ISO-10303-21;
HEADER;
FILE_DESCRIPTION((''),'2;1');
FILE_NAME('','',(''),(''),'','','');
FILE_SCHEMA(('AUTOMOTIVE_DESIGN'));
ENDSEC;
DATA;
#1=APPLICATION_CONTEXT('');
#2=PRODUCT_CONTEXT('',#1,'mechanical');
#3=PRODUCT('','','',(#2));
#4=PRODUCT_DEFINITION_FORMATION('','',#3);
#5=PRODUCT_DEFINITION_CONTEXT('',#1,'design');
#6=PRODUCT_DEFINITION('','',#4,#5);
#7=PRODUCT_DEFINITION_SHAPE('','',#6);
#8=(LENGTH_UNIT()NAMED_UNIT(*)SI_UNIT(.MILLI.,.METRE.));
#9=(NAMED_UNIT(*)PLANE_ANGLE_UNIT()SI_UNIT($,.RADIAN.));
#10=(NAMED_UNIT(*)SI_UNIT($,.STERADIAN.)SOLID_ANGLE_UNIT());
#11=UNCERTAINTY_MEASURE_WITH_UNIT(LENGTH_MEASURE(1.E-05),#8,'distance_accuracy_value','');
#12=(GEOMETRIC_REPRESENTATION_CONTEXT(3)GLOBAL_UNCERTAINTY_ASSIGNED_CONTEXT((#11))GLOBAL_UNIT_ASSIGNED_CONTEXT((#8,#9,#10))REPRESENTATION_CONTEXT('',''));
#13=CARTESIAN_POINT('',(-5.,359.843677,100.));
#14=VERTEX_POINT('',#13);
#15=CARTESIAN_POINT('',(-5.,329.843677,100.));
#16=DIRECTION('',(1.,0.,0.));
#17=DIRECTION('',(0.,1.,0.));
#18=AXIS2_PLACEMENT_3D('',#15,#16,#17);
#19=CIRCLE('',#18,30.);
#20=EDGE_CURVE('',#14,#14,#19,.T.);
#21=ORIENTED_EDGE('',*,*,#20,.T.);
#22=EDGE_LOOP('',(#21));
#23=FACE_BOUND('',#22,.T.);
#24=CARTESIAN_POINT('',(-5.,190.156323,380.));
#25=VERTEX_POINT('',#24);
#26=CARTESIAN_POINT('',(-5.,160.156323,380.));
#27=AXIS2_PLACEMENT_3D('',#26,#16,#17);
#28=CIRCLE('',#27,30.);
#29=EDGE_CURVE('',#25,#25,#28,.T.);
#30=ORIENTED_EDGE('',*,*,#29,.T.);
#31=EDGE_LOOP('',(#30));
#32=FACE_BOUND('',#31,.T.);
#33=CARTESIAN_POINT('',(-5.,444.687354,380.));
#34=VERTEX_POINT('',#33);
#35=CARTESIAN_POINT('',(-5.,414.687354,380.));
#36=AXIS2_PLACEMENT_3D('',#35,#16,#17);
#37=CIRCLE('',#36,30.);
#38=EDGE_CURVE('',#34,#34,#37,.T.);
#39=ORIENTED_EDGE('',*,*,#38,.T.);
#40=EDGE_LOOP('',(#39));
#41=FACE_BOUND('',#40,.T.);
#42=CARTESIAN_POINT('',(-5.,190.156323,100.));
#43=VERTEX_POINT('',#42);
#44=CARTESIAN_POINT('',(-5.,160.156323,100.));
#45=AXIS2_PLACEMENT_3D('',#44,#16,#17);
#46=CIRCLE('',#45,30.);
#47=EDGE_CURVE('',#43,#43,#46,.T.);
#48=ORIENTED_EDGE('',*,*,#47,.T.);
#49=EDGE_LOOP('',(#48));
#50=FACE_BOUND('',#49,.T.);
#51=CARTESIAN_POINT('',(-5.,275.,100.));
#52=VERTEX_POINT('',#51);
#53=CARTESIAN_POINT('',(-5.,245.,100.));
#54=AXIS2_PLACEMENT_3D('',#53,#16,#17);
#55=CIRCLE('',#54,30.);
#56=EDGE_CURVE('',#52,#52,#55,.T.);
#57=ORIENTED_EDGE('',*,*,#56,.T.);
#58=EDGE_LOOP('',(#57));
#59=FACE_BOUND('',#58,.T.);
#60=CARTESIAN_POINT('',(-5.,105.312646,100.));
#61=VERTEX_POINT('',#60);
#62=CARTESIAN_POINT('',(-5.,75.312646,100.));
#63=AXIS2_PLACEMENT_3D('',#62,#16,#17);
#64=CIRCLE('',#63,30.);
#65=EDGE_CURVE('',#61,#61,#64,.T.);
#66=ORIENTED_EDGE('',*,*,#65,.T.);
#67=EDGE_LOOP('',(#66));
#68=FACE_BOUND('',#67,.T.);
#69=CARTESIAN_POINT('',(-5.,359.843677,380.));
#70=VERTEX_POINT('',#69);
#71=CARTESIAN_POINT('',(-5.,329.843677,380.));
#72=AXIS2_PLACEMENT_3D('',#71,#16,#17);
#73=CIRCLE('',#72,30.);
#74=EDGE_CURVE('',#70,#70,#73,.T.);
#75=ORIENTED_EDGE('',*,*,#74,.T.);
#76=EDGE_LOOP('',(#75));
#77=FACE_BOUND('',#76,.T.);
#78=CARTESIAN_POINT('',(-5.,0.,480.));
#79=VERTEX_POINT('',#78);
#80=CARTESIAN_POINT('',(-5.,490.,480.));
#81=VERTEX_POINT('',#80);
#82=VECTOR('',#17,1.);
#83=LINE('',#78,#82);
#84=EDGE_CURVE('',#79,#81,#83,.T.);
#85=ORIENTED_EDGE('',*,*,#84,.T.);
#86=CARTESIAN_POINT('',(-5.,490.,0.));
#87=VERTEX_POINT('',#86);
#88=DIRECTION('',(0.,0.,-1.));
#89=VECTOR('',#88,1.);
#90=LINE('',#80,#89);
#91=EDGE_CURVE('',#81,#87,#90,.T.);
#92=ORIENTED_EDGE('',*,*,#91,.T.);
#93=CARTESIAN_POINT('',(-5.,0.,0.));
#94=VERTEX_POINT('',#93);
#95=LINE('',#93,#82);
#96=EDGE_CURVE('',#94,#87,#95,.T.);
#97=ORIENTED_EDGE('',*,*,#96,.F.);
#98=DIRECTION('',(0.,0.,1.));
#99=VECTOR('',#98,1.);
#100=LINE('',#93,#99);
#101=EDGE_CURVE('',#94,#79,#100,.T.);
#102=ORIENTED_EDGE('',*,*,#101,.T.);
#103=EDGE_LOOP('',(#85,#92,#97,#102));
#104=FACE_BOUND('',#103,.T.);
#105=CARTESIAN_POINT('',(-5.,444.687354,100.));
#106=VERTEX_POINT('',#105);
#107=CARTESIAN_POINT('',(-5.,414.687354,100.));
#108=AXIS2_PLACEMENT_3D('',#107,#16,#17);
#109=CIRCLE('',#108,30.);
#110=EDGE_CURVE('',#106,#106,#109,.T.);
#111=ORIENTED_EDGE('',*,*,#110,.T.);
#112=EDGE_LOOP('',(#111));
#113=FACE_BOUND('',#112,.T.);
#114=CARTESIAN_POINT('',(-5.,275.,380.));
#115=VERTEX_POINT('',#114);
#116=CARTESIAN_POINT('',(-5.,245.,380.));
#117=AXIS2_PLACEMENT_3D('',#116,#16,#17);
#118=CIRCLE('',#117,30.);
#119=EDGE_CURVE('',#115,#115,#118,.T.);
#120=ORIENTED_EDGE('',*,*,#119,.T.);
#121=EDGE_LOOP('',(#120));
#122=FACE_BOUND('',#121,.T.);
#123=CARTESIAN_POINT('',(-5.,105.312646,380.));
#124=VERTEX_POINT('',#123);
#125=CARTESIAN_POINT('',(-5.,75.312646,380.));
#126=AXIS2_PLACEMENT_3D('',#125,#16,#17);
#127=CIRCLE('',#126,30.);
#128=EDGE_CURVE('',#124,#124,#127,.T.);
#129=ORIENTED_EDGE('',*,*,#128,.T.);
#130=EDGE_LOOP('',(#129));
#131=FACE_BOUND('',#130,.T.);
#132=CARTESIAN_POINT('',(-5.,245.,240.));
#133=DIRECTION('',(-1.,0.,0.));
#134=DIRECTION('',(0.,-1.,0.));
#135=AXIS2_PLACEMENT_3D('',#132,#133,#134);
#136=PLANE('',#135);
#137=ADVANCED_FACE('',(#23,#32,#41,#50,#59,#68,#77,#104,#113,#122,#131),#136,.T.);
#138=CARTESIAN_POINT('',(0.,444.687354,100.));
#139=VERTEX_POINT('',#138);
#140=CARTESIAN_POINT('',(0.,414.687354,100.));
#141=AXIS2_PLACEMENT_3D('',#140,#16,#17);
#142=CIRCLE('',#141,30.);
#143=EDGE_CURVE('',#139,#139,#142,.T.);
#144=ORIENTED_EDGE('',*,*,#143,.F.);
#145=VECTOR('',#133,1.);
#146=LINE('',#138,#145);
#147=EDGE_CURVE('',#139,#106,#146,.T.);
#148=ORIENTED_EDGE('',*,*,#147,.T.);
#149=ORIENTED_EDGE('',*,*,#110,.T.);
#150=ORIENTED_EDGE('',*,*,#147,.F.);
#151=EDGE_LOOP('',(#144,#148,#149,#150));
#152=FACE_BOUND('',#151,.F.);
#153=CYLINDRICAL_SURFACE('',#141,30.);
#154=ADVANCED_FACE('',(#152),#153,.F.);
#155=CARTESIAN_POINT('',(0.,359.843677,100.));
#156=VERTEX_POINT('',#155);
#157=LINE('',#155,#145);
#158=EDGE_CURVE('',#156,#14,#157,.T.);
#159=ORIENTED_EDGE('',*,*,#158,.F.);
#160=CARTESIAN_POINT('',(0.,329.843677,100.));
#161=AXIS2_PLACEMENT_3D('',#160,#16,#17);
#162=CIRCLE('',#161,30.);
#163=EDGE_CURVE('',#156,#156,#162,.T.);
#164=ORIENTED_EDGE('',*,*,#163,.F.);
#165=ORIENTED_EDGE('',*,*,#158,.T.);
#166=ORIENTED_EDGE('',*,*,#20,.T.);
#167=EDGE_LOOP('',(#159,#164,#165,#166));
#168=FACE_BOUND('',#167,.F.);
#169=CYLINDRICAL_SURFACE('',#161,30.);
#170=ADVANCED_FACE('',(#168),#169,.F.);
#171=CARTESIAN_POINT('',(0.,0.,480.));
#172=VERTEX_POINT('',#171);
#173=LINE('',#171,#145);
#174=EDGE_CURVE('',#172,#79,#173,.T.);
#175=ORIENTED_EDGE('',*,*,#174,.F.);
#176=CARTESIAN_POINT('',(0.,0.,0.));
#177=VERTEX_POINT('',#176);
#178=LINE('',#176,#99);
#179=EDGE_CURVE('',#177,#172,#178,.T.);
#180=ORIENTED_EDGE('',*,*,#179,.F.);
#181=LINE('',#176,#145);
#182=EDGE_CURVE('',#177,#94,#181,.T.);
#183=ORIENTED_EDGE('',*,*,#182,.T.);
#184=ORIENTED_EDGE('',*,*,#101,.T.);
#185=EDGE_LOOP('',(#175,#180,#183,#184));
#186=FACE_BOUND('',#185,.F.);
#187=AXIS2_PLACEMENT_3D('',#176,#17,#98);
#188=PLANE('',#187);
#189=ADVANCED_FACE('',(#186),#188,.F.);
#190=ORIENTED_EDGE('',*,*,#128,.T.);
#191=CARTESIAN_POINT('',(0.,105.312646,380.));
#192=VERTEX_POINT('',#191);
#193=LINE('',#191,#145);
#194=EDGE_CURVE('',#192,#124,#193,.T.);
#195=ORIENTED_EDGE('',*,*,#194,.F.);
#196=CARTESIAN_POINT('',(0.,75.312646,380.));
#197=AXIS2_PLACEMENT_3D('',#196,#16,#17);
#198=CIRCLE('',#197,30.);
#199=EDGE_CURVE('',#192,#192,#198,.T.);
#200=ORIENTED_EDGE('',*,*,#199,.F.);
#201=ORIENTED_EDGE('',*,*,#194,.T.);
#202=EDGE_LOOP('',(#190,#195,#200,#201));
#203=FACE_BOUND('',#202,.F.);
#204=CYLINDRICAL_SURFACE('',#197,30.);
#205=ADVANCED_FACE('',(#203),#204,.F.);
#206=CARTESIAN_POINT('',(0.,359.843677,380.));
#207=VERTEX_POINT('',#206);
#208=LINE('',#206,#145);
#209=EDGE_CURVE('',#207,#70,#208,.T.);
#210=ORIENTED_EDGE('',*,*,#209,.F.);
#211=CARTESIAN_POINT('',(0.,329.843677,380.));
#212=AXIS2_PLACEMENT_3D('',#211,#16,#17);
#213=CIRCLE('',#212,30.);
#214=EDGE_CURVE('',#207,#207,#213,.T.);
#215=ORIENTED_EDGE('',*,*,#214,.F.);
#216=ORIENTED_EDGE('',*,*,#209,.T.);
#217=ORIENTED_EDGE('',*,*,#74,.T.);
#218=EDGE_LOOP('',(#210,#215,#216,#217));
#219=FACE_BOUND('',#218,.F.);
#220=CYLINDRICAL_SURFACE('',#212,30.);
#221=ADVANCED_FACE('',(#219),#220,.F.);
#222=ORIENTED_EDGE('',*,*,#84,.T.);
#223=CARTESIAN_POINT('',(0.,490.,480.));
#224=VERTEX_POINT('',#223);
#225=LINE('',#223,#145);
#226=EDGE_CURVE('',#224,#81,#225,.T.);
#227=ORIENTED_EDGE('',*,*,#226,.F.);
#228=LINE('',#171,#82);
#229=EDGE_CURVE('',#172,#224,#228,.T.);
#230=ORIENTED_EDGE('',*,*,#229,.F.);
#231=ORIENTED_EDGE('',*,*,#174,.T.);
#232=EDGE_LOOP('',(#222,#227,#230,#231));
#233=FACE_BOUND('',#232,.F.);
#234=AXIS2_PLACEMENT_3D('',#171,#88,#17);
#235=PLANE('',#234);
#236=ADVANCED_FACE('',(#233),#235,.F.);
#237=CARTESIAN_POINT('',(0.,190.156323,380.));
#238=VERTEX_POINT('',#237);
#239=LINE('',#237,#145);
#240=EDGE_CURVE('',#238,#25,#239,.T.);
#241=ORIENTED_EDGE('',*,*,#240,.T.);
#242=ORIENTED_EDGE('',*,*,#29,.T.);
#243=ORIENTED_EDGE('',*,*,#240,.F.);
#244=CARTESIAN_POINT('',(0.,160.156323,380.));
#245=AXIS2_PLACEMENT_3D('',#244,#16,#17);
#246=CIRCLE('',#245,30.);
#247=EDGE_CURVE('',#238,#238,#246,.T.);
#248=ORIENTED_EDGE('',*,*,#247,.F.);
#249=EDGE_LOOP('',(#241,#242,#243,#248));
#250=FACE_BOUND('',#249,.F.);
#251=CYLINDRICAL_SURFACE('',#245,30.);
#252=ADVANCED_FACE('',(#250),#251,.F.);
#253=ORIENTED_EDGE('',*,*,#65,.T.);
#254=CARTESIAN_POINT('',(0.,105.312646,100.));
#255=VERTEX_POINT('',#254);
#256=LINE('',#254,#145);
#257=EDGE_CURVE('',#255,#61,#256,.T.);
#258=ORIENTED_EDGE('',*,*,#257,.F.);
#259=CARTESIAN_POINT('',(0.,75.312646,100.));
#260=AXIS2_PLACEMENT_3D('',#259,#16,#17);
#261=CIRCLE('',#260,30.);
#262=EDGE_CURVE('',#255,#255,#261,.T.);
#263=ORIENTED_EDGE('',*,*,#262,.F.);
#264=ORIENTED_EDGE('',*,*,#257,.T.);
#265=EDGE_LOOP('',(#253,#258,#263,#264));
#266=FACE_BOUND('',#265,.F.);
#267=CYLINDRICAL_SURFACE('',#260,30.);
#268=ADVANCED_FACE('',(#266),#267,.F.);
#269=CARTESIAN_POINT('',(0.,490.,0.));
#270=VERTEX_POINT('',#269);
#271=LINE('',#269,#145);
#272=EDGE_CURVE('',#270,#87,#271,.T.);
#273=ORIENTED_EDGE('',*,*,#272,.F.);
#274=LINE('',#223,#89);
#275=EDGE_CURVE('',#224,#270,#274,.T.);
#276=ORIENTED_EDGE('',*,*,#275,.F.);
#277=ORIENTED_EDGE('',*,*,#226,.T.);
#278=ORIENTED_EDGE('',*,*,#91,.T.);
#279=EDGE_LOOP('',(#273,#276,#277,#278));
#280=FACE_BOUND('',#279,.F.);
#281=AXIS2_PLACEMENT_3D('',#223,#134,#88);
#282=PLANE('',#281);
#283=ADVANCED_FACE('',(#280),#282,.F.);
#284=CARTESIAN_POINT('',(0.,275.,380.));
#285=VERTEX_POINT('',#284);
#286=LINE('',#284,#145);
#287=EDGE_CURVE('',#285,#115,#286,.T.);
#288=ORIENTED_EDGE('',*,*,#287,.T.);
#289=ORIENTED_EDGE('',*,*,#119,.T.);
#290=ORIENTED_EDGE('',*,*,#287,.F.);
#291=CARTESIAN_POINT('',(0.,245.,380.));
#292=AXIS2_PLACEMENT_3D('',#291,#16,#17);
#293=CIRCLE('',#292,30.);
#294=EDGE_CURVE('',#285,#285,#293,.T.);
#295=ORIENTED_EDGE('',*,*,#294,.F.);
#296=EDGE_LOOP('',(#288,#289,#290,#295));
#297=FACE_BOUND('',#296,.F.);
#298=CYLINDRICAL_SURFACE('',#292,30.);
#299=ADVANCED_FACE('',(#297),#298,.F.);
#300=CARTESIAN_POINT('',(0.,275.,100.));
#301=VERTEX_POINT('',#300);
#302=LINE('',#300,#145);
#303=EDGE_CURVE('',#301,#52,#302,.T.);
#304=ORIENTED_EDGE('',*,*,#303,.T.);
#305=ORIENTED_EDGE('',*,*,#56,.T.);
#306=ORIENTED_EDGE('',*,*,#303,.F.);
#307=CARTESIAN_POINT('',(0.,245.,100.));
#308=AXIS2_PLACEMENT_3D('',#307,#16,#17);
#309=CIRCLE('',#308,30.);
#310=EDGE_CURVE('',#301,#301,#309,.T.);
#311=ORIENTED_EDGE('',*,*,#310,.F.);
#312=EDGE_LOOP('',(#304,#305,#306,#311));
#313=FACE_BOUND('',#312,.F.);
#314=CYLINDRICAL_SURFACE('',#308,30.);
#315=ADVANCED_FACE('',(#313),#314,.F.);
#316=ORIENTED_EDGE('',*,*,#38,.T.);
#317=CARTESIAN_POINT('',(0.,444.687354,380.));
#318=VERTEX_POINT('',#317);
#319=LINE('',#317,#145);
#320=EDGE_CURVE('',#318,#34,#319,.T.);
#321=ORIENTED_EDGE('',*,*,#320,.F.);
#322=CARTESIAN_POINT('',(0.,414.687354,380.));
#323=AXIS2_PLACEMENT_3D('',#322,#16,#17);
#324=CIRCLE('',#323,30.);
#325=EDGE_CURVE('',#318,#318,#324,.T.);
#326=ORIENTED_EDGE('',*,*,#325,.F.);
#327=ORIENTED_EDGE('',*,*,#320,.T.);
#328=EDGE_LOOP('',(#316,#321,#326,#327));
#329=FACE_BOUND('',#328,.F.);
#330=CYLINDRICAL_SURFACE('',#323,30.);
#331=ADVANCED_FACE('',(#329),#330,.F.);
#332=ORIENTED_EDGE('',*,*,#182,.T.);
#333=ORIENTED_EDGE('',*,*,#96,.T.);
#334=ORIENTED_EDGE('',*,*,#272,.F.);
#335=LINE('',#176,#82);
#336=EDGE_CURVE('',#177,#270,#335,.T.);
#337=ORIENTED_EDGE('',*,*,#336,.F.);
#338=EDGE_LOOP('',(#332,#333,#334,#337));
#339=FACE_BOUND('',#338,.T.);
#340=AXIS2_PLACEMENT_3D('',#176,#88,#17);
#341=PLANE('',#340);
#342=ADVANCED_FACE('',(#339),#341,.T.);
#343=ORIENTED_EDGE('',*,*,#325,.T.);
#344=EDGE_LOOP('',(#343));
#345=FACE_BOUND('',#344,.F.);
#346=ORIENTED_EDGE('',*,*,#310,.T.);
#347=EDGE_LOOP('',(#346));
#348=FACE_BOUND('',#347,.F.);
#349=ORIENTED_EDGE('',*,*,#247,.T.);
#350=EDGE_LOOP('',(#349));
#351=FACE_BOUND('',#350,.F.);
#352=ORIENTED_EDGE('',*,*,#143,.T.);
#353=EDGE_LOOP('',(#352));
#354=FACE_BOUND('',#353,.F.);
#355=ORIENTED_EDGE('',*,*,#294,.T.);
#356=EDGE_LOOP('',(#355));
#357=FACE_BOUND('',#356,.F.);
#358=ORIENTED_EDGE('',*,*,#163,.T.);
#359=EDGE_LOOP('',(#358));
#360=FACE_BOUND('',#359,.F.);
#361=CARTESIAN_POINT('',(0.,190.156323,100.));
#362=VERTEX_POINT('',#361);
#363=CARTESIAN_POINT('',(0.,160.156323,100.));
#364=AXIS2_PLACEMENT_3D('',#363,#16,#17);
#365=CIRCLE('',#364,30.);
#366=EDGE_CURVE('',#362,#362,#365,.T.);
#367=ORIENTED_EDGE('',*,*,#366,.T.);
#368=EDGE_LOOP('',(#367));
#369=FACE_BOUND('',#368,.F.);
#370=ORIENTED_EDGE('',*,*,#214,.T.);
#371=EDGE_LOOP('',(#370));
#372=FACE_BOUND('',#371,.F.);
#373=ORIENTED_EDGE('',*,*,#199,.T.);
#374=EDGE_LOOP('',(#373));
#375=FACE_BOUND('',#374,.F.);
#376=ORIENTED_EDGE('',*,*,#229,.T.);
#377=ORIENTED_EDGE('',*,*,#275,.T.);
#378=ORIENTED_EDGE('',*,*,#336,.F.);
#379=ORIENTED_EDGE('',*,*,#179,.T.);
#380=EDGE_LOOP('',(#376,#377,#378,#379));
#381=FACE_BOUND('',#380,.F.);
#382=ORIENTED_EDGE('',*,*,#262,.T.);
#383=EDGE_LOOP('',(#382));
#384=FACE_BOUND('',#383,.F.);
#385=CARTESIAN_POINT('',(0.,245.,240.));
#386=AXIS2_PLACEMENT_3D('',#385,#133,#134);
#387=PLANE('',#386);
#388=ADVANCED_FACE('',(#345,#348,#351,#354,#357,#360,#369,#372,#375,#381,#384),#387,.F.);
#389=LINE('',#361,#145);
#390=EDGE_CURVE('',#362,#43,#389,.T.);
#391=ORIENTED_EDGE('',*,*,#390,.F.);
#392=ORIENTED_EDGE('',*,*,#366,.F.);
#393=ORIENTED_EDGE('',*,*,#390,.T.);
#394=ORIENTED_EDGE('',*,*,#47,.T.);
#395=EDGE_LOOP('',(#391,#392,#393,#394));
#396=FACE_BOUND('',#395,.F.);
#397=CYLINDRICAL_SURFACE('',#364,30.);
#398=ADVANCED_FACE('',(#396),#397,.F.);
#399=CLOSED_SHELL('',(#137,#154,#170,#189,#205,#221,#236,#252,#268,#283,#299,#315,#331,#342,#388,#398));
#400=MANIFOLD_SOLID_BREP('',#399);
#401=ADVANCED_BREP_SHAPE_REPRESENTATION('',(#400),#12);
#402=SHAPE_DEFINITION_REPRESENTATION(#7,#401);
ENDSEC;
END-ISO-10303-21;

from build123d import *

# Parameters (mm, degrees)
PAD_DEPTH    = 5
SKETCH002_R  = 30
POCKET_DEPTH = 5.001


with BuildPart() as part:
    # Sketch → Pad (new body)
    with BuildSketch(Plane.YZ):
        Polygon((0, 0), (0, 480), (490, 480), (490, 0), (245, 0), align=None)
    extrude(amount=-PAD_DEPTH)

    # Sketch002 (on Face6 of Pad) → Pocket (cut, through all)
    with BuildSketch(Plane.YZ):
        with Locations((245, 380)):
            Circle(SKETCH002_R)
        with Locations((245, 100)):
            Circle(SKETCH002_R)
        with Locations((75.312646, 380)):
            Circle(SKETCH002_R)
        with Locations((75.312646, 100)):
            Circle(SKETCH002_R)
        with Locations((160.156323, 100)):
            Circle(SKETCH002_R)
        with Locations((329.843677, 100)):
            Circle(SKETCH002_R)
        with Locations((414.687354, 100)):
            Circle(SKETCH002_R)
        with Locations((414.687354, 380)):
            Circle(SKETCH002_R)
        with Locations((329.843677, 380)):
            Circle(SKETCH002_R)
        with Locations((160.156323, 380)):
            Circle(SKETCH002_R)
    extrude(amount=-POCKET_DEPTH, mode=Mode.SUBTRACT)


solid = part.part
